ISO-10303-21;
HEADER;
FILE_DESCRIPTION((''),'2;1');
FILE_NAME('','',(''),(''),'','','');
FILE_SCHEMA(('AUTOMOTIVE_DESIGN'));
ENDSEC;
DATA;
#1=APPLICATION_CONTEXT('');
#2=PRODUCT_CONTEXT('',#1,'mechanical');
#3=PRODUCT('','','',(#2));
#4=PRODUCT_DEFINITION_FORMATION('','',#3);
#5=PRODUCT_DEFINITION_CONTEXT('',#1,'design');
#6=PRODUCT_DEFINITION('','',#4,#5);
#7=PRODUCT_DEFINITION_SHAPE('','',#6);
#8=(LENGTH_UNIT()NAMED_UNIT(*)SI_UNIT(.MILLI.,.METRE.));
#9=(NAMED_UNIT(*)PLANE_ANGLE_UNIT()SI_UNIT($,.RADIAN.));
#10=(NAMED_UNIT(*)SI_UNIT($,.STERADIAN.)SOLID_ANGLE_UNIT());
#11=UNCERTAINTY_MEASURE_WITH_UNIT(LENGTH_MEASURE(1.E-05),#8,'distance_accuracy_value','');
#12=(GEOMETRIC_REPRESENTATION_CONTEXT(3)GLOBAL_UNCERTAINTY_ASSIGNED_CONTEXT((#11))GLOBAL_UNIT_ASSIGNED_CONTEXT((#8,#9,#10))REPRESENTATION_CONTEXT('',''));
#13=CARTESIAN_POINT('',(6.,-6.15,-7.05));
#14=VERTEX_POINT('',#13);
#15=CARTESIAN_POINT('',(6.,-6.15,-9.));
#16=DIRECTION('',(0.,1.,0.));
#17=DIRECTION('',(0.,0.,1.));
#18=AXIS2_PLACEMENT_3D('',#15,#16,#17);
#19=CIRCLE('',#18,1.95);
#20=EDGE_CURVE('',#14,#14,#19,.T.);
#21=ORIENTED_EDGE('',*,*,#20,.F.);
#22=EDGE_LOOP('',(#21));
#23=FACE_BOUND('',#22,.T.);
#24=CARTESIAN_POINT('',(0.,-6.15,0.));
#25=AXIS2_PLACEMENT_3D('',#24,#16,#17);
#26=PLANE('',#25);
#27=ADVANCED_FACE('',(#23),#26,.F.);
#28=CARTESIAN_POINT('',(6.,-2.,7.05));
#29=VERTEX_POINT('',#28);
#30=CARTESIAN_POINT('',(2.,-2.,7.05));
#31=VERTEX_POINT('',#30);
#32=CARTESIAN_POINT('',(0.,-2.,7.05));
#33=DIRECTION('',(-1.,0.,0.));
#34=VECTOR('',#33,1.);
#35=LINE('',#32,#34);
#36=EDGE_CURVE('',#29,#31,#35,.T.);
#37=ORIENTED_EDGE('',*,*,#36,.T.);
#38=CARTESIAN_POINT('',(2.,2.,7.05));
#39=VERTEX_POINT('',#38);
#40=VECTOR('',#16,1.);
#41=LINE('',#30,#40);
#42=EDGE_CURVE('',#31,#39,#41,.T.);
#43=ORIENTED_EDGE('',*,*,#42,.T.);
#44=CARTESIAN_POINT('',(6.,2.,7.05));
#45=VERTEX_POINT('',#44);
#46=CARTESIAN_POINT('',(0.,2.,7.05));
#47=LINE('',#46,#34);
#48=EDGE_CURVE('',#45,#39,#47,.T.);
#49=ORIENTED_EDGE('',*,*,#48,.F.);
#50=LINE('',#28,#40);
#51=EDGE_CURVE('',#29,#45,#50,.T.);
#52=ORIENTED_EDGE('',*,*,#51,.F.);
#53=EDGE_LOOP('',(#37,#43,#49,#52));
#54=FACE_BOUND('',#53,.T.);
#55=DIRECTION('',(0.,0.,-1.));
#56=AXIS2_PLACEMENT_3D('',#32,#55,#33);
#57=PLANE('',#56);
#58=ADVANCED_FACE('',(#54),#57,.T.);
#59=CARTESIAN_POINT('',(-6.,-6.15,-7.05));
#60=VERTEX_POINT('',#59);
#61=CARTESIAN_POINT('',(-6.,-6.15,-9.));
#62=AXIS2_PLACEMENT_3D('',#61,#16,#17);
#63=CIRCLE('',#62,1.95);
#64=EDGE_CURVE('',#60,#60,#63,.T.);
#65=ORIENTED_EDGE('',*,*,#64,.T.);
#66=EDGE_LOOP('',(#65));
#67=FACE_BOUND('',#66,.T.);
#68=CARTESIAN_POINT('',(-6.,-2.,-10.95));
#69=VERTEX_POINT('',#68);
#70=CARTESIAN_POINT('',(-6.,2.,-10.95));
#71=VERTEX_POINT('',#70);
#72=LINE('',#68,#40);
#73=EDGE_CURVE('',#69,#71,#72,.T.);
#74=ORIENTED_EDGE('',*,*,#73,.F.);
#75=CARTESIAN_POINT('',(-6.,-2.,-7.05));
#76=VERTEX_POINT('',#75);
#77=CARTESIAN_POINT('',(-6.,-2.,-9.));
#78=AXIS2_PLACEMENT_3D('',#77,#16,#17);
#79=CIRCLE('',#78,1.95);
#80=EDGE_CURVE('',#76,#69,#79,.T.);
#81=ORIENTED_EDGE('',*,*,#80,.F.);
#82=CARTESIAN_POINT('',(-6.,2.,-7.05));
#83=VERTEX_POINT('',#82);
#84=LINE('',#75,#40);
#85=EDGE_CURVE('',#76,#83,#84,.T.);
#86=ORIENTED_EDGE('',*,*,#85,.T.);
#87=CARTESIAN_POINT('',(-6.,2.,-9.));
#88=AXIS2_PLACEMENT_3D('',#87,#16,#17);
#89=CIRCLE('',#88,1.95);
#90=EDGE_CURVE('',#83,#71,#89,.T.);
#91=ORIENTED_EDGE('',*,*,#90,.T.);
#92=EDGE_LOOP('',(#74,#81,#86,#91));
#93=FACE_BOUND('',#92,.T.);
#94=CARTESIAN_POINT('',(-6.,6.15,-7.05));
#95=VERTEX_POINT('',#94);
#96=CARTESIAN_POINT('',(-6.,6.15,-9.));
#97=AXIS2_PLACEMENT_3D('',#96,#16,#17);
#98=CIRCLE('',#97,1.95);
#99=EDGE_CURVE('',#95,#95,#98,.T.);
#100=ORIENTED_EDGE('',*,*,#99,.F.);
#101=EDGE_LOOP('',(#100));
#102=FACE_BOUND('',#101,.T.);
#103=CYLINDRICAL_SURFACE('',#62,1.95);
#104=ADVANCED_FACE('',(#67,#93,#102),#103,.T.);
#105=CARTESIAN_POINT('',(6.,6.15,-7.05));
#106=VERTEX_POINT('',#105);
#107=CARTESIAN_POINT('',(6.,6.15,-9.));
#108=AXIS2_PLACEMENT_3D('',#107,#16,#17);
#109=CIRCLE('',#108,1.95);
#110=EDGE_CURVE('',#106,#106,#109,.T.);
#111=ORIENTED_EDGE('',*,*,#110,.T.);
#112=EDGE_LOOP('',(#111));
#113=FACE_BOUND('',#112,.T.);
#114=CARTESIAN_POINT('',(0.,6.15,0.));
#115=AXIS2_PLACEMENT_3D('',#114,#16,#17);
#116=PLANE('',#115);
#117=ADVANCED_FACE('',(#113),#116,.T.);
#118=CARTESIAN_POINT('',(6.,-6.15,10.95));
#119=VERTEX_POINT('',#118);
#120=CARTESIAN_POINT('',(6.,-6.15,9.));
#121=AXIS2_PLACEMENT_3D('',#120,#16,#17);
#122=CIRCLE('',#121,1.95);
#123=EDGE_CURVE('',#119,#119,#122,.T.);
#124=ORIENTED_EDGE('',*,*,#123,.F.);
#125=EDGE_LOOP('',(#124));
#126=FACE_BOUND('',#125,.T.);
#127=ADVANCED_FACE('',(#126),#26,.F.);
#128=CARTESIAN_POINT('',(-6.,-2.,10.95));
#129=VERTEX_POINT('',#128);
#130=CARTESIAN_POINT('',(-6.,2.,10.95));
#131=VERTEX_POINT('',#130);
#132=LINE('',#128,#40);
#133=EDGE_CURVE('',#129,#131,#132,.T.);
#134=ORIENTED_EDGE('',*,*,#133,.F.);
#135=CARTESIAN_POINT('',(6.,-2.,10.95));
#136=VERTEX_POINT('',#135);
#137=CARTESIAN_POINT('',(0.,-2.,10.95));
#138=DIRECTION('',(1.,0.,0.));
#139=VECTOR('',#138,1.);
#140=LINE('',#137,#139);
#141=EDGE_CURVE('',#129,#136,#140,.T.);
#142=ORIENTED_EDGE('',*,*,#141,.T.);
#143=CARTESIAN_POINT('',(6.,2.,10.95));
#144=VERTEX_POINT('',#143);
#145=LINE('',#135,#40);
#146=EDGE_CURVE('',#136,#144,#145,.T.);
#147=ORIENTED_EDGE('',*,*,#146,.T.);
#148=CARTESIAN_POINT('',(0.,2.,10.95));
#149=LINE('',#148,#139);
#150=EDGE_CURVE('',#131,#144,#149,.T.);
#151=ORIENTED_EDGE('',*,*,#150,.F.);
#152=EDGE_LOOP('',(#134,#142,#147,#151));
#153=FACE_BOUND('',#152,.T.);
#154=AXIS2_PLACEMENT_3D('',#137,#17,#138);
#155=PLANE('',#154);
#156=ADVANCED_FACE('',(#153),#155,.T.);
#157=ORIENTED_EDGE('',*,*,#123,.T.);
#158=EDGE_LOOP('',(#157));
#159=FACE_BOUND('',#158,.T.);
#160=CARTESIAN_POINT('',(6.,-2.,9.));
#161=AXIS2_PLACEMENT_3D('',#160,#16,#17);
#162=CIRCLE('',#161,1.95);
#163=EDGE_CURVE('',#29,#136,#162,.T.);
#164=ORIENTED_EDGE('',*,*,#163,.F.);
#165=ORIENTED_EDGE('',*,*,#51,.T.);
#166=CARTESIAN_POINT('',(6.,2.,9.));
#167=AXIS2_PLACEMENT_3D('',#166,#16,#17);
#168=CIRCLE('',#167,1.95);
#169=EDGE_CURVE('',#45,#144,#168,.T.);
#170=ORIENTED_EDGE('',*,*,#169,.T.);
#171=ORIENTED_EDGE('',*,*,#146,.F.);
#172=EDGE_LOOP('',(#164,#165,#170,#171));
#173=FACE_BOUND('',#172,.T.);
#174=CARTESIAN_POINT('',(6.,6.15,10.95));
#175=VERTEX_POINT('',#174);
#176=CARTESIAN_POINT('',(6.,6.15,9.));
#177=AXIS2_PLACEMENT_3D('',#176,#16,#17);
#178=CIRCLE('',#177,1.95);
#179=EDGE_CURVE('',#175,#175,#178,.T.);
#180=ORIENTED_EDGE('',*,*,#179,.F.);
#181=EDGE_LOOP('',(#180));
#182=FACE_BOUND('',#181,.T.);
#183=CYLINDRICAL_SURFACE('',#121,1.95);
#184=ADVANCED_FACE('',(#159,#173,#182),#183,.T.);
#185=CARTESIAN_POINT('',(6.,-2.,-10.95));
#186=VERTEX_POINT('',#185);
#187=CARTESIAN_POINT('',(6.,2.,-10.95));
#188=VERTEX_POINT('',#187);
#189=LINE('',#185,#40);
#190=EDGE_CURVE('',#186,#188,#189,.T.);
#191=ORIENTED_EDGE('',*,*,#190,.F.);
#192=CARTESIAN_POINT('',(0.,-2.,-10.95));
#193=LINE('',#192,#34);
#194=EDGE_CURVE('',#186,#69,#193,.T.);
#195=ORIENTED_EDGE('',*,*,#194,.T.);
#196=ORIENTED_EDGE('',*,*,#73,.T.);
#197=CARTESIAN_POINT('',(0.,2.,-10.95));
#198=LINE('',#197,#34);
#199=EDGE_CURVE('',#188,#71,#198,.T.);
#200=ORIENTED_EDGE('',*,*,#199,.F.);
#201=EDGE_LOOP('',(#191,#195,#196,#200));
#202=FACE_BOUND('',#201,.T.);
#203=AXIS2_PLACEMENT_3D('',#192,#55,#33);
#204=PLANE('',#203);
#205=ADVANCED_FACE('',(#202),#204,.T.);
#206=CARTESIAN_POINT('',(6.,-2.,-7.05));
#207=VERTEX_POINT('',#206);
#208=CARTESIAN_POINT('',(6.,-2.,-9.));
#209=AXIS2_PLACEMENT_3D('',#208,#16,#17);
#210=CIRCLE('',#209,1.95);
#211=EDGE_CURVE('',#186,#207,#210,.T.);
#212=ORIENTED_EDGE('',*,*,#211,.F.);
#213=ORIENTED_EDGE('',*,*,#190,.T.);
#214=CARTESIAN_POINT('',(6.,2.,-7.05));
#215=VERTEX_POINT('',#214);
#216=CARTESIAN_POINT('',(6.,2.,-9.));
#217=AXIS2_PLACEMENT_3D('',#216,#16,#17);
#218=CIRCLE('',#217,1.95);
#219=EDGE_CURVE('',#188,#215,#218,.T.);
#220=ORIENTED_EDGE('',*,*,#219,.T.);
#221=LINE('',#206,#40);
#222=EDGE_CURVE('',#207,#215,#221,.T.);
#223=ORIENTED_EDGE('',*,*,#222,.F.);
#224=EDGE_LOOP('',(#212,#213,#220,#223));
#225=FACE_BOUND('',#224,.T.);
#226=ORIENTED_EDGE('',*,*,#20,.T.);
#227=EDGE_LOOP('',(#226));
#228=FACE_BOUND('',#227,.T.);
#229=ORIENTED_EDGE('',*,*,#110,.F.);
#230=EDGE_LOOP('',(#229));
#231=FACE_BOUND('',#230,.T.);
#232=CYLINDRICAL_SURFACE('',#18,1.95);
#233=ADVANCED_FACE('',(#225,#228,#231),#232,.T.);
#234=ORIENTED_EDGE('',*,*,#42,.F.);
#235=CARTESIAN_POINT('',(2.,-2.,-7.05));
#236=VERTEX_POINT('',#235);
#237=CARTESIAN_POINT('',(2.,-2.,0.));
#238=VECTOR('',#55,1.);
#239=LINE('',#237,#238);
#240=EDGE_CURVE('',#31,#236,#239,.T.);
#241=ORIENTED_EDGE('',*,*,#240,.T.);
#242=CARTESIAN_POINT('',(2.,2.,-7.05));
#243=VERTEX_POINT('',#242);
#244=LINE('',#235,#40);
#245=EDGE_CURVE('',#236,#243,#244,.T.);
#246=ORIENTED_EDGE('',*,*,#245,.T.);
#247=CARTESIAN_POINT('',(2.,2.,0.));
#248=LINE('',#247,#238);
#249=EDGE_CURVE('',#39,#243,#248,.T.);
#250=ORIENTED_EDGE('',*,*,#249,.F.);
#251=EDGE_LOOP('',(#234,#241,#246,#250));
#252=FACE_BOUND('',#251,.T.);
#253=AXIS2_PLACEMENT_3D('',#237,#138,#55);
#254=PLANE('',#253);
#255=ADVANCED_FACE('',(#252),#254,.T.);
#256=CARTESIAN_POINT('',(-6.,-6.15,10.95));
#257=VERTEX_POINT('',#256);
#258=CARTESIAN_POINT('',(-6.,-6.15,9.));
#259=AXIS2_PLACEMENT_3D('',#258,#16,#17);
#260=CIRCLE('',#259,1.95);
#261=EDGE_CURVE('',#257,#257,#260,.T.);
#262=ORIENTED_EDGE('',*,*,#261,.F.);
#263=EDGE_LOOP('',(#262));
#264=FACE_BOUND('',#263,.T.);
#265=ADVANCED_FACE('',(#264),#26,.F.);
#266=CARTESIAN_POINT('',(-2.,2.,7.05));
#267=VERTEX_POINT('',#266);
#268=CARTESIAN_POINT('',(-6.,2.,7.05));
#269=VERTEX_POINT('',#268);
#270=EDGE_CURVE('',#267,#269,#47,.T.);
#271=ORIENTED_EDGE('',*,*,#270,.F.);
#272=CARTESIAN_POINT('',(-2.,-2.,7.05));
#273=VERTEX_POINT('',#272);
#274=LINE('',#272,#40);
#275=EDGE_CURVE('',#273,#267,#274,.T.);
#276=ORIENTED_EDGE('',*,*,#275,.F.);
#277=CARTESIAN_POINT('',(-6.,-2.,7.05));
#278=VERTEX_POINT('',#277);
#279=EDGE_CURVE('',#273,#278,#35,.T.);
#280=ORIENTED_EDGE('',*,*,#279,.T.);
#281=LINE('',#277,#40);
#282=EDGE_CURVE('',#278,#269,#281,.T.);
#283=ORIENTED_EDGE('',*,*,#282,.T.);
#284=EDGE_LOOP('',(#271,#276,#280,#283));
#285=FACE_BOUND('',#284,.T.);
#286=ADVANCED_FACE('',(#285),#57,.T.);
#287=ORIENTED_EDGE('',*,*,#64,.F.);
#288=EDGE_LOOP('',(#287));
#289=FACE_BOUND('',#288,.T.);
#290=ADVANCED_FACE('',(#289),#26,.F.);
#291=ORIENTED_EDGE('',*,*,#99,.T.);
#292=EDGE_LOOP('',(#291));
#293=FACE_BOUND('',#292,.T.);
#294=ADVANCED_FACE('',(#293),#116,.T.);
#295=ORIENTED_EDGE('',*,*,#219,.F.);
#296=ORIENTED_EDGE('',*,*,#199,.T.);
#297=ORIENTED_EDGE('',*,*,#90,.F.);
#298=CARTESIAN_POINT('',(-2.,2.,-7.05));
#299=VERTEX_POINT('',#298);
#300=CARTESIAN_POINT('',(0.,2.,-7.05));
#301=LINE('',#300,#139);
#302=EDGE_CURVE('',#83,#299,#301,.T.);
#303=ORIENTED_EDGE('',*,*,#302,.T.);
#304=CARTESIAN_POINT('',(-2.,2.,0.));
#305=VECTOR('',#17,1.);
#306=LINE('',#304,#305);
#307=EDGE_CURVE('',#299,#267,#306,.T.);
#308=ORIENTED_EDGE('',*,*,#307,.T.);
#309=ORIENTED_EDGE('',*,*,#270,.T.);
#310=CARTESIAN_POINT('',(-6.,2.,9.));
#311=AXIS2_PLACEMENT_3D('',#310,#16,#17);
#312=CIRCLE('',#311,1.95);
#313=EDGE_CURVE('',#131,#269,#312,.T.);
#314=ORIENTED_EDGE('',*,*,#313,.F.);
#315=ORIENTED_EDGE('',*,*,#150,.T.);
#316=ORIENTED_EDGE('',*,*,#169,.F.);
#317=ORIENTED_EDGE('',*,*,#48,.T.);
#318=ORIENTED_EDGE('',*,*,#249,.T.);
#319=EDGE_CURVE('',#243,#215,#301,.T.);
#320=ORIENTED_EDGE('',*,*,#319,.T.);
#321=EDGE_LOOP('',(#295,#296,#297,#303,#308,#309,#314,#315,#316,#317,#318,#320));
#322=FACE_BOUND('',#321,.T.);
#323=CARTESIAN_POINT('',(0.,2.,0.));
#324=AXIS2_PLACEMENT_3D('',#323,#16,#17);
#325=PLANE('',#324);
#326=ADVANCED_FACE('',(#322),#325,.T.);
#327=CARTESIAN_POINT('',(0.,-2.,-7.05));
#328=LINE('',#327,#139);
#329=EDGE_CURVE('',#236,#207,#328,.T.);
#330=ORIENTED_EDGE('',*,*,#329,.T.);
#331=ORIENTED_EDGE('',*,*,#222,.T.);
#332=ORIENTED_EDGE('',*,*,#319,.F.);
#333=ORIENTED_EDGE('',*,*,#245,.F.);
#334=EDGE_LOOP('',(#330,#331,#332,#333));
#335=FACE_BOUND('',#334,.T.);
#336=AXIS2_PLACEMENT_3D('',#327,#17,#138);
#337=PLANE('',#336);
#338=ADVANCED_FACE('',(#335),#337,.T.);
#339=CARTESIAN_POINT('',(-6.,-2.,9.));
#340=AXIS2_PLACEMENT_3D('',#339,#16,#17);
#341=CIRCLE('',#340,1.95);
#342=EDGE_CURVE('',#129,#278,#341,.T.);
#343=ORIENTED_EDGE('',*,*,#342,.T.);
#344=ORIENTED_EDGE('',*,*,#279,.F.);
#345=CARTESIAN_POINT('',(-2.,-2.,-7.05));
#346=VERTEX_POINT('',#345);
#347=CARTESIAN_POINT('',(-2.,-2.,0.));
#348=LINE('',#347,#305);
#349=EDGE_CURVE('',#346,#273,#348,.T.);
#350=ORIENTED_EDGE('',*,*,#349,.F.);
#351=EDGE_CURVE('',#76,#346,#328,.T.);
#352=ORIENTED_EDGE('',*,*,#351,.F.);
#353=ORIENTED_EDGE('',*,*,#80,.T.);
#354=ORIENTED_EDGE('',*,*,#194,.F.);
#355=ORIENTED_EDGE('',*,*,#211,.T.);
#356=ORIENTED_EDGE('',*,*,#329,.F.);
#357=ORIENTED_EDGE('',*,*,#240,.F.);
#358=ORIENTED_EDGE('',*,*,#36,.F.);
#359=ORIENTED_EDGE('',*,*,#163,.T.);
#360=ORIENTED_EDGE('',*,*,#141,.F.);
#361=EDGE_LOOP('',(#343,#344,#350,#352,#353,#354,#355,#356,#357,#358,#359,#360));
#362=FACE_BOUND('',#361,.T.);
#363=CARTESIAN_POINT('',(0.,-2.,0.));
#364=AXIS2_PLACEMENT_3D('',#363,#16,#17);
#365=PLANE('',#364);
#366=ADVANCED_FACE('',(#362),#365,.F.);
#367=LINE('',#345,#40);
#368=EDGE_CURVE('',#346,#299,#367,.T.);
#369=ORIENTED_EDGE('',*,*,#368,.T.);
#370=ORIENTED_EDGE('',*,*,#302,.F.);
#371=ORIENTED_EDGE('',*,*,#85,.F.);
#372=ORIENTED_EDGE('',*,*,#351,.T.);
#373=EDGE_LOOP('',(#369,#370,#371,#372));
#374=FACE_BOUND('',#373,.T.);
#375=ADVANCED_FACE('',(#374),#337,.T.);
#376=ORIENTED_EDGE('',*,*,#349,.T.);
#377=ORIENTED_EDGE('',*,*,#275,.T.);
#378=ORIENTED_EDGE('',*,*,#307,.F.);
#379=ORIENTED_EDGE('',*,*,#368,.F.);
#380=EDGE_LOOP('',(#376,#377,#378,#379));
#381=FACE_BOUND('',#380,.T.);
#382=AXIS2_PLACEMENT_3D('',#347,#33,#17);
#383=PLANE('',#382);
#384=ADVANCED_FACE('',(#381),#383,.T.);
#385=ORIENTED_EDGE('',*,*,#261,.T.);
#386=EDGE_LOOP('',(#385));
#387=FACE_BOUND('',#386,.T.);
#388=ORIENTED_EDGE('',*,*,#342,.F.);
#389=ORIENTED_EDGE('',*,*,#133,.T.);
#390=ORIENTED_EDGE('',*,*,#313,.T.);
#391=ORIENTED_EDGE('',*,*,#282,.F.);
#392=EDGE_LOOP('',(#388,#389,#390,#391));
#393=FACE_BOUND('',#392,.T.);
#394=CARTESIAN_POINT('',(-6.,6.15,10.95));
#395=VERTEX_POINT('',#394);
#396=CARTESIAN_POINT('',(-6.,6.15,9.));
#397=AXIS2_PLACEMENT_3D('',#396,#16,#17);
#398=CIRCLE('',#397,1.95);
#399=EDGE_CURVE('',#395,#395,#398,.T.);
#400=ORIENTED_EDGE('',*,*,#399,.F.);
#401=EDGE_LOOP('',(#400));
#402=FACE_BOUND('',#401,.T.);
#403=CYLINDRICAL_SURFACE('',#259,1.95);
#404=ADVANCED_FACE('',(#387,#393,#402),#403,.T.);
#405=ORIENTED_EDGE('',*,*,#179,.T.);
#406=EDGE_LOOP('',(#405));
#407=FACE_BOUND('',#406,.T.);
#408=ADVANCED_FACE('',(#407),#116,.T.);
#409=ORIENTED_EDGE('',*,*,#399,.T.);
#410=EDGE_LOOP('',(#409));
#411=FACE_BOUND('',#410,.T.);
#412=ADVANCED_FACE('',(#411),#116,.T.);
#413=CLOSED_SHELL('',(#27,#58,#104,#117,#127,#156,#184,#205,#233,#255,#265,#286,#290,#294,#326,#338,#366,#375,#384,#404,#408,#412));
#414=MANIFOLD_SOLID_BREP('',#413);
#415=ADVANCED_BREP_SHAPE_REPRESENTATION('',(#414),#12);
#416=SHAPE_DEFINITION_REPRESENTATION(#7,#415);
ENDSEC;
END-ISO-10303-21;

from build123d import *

# Parameters (mm, degrees)
BOSS_EXTRUDE1_DEPTH      = 2
BOSS_EXTRUDE1_DEPTH_BACK = 2
BOSS_EXTRUDE2_DEPTH      = 6.15
BOSS_EXTRUDE2_DEPTH_BACK = 6.15
SKETCH1_4_R              = 1.95


with BuildPart() as part:
    # Sketch1 → Boss-Extrude1 (new, two sides: drawn at the far end of the back side and taken through both)
    with BuildSketch(Plane(origin=(0, 0, 0), x_dir=(1, 0, 0), z_dir=(0, 1, 0)).offset(-BOSS_EXTRUDE1_DEPTH_BACK)):
        with BuildLine():
            ThreePointArc((-4.05, -9), (-4.621141777, -10.378858223), (-6, -10.95))
            Line((-6, -10.95), (6, -10.95))
            ThreePointArc((6, -10.95), (4.05, -9), (6, -7.05))
            Line((6, -7.05), (2, -7.05))
            Line((2, -7.05), (2, 7.05))
            Line((2, 7.05), (6, 7.05))
            ThreePointArc((6, 7.05), (4.05, 9), (6, 10.95))
            Line((6, 10.95), (-6, 10.95))
            ThreePointArc((-6, 10.95), (-4.621141777, 10.378858223), (-4.05, 9))
            ThreePointArc((-4.05, 9), (-4.621141777, 7.621141777), (-6, 7.05))
            Line((-6, 7.05), (-2, 7.05))
            Line((-2, 7.05), (-2, -7.05))
            Line((-2, -7.05), (-6, -7.05))
            ThreePointArc((-6, -7.05), (-4.621141777, -7.621141777), (-4.05, -9))
        make_face()
    extrude(amount=BOSS_EXTRUDE1_DEPTH + BOSS_EXTRUDE1_DEPTH_BACK)

    # Sketch1<4> → Boss-Extrude2 (add, two sides: drawn at the far end of the back side and taken through both)
    with BuildSketch(Plane(origin=(0, 0, 0), x_dir=(1, 0, 0), z_dir=(0, 1, 0)).offset(-BOSS_EXTRUDE2_DEPTH_BACK)):
        with Locations((-6, -9)):
            Circle(SKETCH1_4_R)
        with Locations((6, -9)):
            Circle(SKETCH1_4_R)
        with Locations((-6, 9)):
            Circle(SKETCH1_4_R)
        with Locations((6, 9)):
            Circle(SKETCH1_4_R)
    extrude(amount=BOSS_EXTRUDE2_DEPTH + BOSS_EXTRUDE2_DEPTH_BACK)


solid = part.part
